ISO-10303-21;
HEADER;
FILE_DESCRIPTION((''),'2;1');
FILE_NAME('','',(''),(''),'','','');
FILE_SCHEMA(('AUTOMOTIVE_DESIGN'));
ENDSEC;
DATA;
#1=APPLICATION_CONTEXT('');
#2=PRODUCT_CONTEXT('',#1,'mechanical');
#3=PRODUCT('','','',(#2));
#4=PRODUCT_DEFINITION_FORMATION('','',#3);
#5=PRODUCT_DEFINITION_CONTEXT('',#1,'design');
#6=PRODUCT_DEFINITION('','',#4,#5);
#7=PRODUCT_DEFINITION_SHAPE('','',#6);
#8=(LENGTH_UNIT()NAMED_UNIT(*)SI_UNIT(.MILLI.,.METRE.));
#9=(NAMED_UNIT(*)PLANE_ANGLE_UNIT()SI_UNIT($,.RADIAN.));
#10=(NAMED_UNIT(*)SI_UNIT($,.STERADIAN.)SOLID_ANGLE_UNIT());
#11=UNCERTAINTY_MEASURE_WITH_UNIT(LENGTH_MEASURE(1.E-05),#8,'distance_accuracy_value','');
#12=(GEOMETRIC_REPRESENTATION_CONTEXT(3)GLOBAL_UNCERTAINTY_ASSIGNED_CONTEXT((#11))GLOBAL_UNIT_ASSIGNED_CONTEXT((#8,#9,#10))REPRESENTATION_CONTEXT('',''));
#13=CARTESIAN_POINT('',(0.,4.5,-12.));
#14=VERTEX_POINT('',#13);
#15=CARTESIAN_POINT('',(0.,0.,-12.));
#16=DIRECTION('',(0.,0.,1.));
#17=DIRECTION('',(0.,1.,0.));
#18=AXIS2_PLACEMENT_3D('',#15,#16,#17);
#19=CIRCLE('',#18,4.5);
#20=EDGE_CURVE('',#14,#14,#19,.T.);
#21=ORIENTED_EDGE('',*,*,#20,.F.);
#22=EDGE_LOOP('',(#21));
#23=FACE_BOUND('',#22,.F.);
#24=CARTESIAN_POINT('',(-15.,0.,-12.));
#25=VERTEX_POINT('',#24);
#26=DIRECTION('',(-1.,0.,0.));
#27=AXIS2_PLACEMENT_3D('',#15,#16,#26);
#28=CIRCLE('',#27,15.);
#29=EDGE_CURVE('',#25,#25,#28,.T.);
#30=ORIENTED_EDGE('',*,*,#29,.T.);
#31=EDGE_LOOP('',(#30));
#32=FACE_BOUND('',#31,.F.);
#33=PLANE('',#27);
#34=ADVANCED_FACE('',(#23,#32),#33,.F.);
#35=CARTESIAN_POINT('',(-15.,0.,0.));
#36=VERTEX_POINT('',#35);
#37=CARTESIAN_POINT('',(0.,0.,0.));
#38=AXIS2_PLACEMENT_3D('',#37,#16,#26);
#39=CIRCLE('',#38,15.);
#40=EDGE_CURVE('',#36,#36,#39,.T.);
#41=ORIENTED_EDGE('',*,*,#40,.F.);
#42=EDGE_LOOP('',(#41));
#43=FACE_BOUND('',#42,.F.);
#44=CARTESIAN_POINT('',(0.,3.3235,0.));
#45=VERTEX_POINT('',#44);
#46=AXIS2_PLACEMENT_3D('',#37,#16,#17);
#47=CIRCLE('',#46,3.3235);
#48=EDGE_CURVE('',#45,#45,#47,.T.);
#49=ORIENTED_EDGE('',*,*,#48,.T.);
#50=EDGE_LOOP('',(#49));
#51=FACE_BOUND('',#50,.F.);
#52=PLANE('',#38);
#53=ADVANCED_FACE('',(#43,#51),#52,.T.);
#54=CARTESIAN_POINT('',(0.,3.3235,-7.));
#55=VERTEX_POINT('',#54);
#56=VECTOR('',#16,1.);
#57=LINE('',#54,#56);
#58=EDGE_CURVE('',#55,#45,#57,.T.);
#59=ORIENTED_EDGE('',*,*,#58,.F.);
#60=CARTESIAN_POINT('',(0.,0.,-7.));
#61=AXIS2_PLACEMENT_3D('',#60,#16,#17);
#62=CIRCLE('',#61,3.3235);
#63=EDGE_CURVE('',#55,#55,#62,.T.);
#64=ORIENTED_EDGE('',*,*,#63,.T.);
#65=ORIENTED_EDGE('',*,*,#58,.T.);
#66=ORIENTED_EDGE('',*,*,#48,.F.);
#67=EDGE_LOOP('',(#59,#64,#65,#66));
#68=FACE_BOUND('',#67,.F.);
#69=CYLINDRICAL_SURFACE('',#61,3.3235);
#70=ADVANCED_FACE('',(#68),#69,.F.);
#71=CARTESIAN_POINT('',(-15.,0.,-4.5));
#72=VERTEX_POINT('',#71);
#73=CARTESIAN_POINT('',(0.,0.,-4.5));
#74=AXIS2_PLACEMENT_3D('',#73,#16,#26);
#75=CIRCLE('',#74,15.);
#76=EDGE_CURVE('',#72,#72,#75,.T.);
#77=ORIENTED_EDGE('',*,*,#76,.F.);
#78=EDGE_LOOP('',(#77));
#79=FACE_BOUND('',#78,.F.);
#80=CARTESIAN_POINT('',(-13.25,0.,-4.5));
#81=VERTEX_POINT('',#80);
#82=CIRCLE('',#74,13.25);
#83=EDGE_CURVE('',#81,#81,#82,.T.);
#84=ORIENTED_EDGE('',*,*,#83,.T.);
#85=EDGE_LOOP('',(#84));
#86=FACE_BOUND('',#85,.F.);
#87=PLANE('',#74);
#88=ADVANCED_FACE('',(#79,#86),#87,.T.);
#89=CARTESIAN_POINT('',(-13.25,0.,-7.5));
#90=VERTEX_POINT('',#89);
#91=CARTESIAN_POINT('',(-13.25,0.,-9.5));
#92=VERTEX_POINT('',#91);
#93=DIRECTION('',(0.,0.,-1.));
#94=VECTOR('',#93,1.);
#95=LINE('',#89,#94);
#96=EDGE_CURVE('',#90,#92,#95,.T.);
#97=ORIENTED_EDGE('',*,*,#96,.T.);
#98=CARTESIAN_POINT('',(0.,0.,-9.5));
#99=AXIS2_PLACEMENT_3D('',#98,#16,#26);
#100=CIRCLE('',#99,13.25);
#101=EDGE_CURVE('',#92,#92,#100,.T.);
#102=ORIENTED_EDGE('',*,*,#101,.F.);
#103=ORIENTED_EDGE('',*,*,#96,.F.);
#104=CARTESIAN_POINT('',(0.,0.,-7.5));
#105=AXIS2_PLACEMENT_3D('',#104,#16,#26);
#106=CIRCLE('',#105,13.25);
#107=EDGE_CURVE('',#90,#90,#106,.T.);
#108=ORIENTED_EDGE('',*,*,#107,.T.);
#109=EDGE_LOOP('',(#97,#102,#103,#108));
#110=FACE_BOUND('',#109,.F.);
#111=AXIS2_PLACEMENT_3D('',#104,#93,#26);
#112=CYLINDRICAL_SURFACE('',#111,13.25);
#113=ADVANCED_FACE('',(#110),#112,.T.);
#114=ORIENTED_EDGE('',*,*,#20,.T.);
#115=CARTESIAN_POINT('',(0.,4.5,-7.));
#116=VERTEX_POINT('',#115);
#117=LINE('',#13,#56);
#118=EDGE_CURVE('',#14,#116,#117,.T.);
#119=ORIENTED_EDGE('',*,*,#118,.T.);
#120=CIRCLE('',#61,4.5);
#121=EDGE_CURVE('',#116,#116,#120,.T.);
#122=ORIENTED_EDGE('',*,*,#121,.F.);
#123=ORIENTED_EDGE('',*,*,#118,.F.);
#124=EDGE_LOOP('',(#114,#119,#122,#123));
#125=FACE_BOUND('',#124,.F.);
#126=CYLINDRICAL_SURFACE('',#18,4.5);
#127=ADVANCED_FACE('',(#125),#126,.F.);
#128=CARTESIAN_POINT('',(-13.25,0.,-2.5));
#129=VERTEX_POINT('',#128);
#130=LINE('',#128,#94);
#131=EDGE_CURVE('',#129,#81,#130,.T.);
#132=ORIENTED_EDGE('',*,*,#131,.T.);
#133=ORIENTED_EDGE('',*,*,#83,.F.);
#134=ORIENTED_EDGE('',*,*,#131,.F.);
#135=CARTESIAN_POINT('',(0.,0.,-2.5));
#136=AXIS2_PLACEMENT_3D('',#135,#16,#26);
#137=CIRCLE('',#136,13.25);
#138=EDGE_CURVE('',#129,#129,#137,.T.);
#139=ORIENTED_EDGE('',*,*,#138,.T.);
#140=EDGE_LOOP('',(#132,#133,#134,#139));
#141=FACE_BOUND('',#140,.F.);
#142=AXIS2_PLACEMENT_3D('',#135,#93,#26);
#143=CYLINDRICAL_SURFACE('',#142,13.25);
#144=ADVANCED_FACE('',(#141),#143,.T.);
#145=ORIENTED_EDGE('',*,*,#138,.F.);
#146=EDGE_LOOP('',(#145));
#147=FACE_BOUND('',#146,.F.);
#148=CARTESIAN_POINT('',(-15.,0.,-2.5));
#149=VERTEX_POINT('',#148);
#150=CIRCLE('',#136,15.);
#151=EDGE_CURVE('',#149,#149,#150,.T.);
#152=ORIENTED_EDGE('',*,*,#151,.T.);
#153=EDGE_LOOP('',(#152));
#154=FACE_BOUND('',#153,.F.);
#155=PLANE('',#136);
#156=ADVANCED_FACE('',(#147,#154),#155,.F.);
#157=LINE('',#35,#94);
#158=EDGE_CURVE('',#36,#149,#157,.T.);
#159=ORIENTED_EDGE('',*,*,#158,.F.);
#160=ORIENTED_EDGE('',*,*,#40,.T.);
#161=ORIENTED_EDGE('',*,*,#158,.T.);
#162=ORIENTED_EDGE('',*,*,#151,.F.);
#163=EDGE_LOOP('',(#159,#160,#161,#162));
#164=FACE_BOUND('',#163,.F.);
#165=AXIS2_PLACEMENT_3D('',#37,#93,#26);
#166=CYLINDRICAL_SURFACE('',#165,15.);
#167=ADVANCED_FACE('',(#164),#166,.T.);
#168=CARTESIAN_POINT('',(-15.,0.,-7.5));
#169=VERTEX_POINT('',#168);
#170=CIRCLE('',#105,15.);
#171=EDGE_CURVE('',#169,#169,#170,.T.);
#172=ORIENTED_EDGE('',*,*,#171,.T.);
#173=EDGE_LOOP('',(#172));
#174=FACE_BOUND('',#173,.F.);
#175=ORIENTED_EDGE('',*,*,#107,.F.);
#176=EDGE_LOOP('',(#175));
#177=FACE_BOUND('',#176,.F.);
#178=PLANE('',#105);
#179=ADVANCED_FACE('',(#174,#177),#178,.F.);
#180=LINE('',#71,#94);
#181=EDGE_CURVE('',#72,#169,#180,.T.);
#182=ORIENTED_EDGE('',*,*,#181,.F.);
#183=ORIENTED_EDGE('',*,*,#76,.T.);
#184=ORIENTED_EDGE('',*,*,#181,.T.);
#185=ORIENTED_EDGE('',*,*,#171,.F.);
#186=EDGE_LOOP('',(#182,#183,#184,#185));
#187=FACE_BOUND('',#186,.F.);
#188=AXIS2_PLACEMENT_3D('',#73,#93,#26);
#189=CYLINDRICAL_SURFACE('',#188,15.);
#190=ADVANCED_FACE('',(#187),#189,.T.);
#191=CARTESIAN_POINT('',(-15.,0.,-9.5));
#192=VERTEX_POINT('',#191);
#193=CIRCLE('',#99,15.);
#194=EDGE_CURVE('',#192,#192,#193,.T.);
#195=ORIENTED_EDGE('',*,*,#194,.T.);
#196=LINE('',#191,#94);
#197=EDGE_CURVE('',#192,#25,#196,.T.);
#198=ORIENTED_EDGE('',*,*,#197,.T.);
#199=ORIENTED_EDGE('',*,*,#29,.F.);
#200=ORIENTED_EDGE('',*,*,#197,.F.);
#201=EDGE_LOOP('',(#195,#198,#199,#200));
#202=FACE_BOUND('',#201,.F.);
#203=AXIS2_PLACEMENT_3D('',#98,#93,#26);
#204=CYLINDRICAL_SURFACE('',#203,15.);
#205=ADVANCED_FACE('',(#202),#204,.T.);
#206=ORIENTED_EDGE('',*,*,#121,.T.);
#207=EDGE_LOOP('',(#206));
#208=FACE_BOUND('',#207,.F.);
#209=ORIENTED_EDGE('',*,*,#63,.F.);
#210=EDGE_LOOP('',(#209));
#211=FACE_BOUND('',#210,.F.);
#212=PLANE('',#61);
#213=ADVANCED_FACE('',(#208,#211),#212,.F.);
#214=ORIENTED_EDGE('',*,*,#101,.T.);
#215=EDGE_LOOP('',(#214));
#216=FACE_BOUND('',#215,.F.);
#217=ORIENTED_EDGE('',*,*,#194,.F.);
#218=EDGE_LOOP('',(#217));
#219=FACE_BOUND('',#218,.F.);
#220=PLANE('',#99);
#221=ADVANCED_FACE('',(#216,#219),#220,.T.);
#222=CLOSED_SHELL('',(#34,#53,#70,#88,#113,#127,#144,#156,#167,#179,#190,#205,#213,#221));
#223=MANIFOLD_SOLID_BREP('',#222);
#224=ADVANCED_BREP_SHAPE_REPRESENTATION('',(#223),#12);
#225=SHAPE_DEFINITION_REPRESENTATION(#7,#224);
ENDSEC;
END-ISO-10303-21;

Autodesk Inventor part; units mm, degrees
ref_plane "YZ Plane" through (0, 0, 0) normal (1, 0, 0) x (0, 1, 0)
ref_plane "XZ Plane" through (0, 0, 0) normal (0, 1, 0) x (-1, 0, 0)
ref_plane "XY Plane" through (0, 0, 0) normal (0, 0, 1) x (1, 0, 0)
sketch "Sketch1" plane through (0, 0, 0) normal (0, 1, 0) x (-1, 0, 0)
  line L0 (0, 0) -> (15, 0)
  line L1 (15, 0) -> (15, -2.5)
  line L2 (15, -2.5) -> (13.25, -2.5)
  line L3 (13.25, -2.5) -> (13.25, -4.5)
  line L4 (13.25, -4.5) -> (15, -4.5)
  line L5 (15, -4.5) -> (15, -7.5)
  line L6 (15, -7.5) -> (13.25, -7.5)
  line L7 (13.25, -7.5) -> (13.25, -9.5)
  line L8 (13.25, -9.5) -> (15, -9.5)
  line L9 (15, -9.5) -> (15, -12)
  line L10 (15, -12) -> (0, -12)
  line L11 (0, -12) -> (0, 0)
  dimension "d0" = 2.5
  dimension "d2" = 2.5
  dimension "d3" = 2
  dimension "d4" = 2
  dimension "d7" = 12
  dimension "d8" = 26.5
  dimension "d9" = 30
revolve "Revolution1" add sketch "Sketch1" angle 360 about axis through (0, 0, -12) along (0, 0, 1)
sketch "Sketch2" plane through (0, 0, -12) normal (0, 0, -1) x (-1, 0, 0)
  circle A0 centre (0, 0) radius 15 projected
  point P0 (0, 0)
hole "Hole1" at (0, 0, -12) direction (0, 0, 1) diameter 6.647 end through all counterbore diameter 9 counterbore depth 5 thread size "M8x1.25" class "6H" standard "ISO Metric profile"
properties part number "2021"
